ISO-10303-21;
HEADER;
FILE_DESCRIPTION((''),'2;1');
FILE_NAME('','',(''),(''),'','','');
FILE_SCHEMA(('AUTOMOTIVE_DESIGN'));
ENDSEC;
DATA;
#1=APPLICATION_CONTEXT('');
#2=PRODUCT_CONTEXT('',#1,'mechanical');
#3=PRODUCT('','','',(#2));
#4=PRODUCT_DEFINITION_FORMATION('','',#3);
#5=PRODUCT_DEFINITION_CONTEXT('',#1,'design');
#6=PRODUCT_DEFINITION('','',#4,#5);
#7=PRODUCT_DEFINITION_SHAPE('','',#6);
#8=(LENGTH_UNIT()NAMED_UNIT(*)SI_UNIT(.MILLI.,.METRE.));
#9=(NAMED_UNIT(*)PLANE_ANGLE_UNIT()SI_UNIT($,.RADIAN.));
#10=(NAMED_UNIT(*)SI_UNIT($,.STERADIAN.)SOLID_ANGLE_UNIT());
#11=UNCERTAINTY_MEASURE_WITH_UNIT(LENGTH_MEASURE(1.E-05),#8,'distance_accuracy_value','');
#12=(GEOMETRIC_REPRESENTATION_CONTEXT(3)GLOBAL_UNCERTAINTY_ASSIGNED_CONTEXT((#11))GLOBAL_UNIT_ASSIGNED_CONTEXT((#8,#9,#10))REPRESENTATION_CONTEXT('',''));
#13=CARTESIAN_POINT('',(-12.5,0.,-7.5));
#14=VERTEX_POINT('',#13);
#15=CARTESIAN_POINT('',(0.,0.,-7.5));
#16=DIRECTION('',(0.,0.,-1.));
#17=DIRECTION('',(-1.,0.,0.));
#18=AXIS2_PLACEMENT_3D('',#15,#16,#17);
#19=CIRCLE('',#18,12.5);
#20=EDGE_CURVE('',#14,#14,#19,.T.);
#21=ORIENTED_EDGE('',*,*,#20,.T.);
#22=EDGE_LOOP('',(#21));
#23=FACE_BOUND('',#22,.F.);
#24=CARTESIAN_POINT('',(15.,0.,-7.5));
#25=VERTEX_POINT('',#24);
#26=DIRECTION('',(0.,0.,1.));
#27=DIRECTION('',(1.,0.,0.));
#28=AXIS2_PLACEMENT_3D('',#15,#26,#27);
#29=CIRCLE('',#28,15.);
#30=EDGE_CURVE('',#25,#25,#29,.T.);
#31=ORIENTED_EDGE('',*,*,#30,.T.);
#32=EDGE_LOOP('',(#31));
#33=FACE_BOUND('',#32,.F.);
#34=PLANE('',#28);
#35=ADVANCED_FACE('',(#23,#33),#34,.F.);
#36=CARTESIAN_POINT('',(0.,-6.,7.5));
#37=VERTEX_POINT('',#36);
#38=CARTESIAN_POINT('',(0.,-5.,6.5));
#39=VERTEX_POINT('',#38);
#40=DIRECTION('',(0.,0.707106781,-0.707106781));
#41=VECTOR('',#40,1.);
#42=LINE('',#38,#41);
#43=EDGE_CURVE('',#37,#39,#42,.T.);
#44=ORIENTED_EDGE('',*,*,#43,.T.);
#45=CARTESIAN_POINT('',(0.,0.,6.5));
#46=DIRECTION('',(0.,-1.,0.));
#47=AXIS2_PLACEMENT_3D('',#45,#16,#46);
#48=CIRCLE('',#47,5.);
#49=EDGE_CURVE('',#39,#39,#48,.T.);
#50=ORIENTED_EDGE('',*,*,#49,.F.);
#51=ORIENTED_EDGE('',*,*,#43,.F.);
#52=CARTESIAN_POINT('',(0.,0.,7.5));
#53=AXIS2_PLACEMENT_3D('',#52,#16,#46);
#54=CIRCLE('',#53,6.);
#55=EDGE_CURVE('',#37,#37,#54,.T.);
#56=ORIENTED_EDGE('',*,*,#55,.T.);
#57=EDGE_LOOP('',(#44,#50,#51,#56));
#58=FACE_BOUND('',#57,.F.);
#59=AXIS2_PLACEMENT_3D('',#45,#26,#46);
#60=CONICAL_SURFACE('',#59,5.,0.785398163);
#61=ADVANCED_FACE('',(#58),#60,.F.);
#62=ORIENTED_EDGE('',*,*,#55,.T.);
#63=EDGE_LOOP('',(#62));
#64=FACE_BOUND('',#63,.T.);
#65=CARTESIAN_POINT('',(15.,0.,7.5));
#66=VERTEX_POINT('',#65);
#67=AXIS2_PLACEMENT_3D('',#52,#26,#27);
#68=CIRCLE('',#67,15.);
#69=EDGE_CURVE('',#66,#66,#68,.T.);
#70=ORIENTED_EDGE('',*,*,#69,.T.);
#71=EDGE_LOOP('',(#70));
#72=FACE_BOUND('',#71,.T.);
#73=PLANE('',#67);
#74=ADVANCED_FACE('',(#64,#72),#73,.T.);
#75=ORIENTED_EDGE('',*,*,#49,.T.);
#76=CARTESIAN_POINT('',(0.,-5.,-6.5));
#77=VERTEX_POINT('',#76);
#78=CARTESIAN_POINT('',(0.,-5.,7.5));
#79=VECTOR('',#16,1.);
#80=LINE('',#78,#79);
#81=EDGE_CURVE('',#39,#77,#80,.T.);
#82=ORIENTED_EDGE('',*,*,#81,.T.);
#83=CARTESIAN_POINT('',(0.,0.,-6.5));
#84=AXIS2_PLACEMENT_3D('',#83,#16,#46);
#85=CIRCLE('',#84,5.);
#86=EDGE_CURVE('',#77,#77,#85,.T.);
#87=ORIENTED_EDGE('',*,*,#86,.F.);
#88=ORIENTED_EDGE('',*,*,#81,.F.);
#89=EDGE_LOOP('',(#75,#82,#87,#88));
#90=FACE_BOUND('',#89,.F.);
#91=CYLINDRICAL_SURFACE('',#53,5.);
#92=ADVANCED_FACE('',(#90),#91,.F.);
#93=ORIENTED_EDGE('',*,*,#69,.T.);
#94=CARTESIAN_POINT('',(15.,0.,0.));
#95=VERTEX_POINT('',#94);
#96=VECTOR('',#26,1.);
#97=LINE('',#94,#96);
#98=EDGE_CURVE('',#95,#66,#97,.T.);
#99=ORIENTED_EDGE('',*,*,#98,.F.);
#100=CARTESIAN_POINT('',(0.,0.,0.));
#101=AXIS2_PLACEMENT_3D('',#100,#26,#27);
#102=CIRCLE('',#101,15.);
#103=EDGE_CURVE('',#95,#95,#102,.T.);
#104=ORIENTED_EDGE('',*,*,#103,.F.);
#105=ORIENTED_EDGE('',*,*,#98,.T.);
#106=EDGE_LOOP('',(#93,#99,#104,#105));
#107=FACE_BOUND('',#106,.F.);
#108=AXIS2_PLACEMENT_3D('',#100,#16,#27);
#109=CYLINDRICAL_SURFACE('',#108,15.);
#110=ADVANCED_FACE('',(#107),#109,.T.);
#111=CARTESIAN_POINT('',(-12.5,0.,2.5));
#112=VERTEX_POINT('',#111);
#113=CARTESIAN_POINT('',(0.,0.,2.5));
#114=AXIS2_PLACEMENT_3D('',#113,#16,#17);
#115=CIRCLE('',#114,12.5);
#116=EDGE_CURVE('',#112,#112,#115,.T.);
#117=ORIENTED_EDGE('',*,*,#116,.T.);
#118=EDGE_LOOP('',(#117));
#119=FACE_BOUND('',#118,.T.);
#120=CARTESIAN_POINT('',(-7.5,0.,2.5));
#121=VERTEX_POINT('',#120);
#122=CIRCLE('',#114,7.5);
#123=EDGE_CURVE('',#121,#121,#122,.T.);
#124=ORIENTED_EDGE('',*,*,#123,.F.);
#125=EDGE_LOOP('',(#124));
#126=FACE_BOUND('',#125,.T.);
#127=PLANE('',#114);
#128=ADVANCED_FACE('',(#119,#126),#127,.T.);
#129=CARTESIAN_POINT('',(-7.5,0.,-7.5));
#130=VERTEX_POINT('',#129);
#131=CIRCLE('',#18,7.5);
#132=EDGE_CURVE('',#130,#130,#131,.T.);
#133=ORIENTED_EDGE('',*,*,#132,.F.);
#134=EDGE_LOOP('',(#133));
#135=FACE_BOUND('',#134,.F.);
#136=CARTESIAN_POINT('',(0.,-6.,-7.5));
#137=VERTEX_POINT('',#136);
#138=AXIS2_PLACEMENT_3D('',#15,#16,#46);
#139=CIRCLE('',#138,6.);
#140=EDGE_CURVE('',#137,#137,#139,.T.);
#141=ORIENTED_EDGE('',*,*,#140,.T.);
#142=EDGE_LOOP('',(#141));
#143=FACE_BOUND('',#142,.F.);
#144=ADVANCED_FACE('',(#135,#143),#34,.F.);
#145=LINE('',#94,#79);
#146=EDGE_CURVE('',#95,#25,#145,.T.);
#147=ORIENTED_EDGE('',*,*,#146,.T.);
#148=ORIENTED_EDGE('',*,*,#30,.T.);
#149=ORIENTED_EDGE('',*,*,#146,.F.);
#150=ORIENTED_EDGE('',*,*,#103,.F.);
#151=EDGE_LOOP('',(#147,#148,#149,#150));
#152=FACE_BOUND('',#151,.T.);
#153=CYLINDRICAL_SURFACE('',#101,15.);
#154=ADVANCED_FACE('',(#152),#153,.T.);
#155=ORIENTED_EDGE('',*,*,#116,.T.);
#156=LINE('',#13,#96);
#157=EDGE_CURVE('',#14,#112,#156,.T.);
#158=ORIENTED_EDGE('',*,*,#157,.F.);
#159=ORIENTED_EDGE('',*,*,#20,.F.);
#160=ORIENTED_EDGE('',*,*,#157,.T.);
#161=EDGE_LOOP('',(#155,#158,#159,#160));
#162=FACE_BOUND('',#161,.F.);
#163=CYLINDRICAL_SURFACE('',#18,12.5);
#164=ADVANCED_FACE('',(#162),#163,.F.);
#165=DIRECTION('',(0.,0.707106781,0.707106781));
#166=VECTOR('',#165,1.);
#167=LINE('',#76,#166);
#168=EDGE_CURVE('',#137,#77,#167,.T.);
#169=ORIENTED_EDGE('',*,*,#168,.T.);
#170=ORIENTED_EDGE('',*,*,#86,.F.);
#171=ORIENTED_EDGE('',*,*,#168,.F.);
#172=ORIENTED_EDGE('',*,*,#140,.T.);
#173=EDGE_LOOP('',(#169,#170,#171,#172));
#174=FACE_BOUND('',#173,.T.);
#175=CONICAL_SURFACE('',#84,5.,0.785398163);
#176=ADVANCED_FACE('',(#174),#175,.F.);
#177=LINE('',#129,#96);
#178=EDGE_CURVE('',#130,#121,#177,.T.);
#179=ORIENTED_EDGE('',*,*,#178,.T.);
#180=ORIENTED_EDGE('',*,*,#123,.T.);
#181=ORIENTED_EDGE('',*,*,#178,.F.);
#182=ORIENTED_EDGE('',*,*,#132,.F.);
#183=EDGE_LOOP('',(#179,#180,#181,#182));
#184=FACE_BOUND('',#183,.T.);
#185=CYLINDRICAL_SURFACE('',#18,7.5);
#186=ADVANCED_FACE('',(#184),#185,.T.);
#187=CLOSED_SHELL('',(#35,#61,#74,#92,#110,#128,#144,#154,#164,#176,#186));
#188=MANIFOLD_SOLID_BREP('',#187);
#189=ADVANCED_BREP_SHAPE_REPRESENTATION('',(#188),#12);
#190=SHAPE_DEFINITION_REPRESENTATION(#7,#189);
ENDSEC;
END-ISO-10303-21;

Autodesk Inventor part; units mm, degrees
ref_plane "YZ Plane" through (0, 0, 0) normal (1, 0, 0) x (0, 1, 0)
ref_plane "XZ Plane" through (0, 0, 0) normal (0, 1, 0) x (-1, 0, 0)
ref_plane "XY Plane" through (0, 0, 0) normal (0, 0, 1) x (1, 0, 0)
sketch "Skizze1" plane through (0, 0, 0) normal (0, 0, 1) x (1, 0, 0)
  circle A0 centre (0, 0) radius 15
  dimension "d0" = 30
extrude "Extrusion1" add sketch "Skizze1" along normal mid plane 15
sketch "Skizze2" plane through (0, 0, 7.5) normal (0, 0, 1) x (1, 0, 0)
  point P0 (0, 0)
  point P1 (0, 0)
hole "Bohrung1" at (0, 0, 7.5) direction (0, 0, -1) diameter 10 end through all
chamfer "Fasen1" distance 1 angle 45 2 edges at (0, 5, 7.5) (0, 5, -7.5)
sketch "Skizze3" plane through (0, 0, -7.5) normal (0, 0, -1) x (-1, 0, 0)
  circle A0 centre (0, 0) radius 12.5
  circle A1 centre (0, 0) radius 7.5
  dimension "d13" = 25
  dimension "d14" = 15
extrude "Extrusion2" cut sketch "Skizze3" against normal blind 10
equation "\"d0\" = Gleitbuchse_Aussendurchmesser"
equation "\"d1\" = Hoehe_Buchse"
equation "\"d3\" = Gleitbuchse_Innendurchmesser"
equation "\"d10\" = Fase"
equation "\"d13\" = Feder_aussen"
equation "\"d14\" = Feder_innen"
equation "\"d15\" = Federfuehrung_Tiefe"
equation "\"Gleitbuchse_Aussendurchmesser\" = 30"
equation "\"Gleitbuchse_Innendurchmesser\" = 10"
equation "\"Hoehe_Buchse\" = 15"
equation "\"Fase\" = 1"
equation "\"Federfuehrung_Tiefe\" = 10"
equation "\"Feder_aussen\" = 25"
equation "\"Feder_innen\" = 15"
properties part number "TS_Magazin_Gleitbuchse_int"
